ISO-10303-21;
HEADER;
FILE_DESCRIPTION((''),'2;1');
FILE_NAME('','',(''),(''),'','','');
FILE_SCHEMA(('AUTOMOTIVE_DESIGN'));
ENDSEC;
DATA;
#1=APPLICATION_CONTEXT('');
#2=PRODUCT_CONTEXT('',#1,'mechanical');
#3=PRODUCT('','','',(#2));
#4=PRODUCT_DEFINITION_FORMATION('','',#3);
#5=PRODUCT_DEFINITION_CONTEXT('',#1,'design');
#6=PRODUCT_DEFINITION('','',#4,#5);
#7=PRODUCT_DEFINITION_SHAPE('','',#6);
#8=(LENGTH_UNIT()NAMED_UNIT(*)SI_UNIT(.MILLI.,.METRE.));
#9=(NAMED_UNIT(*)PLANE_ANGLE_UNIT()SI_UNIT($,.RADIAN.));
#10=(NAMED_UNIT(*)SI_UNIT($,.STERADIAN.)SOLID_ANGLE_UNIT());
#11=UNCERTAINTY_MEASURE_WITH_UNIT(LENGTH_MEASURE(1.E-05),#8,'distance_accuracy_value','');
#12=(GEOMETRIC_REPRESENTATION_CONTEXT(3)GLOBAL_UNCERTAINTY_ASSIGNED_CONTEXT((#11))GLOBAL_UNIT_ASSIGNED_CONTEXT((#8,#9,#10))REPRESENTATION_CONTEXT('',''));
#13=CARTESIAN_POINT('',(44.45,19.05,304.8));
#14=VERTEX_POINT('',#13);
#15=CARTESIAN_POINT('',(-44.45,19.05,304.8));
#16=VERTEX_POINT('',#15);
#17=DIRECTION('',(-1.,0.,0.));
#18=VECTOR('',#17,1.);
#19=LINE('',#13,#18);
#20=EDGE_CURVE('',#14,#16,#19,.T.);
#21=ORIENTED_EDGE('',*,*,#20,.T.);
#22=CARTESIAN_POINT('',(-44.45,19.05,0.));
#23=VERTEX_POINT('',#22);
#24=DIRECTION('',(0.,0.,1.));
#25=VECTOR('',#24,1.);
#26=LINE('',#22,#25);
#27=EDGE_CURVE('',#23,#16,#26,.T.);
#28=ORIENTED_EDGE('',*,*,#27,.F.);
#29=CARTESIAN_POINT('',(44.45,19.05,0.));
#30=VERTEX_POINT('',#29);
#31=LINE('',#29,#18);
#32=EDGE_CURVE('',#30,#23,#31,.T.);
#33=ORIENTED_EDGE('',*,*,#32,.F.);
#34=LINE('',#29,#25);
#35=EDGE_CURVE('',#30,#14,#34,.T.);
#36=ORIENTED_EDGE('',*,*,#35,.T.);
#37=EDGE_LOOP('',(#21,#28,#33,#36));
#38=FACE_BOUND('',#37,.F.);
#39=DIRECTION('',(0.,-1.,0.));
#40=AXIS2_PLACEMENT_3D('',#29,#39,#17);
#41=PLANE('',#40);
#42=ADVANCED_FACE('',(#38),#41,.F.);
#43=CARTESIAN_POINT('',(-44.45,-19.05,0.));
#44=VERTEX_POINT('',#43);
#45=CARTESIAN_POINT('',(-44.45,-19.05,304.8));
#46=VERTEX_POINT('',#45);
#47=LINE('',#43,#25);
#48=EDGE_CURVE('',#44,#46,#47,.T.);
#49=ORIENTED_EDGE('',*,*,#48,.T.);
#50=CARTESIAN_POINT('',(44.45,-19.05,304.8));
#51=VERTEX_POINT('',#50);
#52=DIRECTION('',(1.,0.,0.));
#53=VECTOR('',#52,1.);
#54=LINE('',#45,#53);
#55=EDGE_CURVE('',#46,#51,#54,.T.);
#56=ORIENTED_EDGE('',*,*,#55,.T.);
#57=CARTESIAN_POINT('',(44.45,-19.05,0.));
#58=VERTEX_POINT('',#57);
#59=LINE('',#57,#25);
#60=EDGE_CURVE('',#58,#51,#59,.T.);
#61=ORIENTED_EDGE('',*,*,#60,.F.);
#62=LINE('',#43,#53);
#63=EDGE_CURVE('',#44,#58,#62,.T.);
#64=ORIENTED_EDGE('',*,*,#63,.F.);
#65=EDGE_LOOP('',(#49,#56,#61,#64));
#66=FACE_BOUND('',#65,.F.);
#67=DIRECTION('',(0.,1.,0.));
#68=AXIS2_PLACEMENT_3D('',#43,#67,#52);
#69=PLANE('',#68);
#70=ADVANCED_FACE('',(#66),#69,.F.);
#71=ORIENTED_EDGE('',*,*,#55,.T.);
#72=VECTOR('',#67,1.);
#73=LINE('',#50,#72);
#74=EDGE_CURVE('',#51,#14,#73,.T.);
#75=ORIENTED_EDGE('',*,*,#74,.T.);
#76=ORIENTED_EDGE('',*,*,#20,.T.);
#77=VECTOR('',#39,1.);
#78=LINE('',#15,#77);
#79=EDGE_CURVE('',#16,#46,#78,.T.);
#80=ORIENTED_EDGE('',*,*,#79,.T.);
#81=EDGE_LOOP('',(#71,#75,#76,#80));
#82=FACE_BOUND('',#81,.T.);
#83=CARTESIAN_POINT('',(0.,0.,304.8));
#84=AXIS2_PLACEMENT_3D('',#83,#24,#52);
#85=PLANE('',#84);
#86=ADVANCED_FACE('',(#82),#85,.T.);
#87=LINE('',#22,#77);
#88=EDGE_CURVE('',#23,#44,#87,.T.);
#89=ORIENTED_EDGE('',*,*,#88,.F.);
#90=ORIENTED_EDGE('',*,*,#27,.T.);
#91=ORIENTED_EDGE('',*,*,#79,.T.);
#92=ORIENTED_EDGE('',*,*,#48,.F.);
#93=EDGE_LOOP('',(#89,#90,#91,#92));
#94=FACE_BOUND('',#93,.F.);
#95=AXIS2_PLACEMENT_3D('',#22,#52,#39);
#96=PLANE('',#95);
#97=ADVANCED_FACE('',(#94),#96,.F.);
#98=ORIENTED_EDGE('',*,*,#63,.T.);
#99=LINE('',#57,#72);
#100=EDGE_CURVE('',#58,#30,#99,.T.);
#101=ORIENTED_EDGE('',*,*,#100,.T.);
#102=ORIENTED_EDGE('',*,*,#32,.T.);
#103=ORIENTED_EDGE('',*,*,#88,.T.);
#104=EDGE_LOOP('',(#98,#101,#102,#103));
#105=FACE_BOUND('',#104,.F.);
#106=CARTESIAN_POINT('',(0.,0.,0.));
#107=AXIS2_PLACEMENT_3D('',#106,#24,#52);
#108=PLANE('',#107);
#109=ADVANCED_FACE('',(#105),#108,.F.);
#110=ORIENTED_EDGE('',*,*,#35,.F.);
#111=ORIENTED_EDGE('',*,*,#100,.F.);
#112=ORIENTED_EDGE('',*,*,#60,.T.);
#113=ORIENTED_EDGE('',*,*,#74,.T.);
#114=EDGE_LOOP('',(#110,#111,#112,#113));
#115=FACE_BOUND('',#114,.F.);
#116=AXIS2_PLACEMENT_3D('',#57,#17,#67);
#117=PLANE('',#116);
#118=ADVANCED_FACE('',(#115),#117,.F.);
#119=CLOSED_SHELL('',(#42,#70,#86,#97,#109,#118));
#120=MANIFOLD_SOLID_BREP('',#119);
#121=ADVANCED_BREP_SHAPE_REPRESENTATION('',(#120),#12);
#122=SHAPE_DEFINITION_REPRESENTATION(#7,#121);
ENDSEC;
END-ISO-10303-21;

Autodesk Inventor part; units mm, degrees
ref_plane "YZ Plane" through (0, 0, 0) normal (1, 0, 0) x (0, 1, 0)
ref_plane "XZ Plane" through (0, 0, 0) normal (0, 1, 0) x (-1, 0, 0)
ref_plane "XY Plane" through (0, 0, 0) normal (0, 0, 1) x (1, 0, 0)
sketch "Sketch1" plane through (0, 0, 0) normal (0, 0, 1) x (1, 0, 0)
  line L0 (-44.45, -19.05) -> (44.45, -19.05)
  line L1 (44.45, -19.05) -> (44.45, 19.05)
  line L2 (44.45, 19.05) -> (-44.45, 19.05)
  line L3 (-44.45, 19.05) -> (-44.45, -19.05)
  line L4 (-44.45, -19.05) -> (44.45, 19.05) construction
  line L5 (44.45, -19.05) -> (-44.45, 19.05) construction
  point P0 (0, 0)
  dimension "d0" = 88.9
  dimension "d1" = 38.1
extrude "Extrusion1" add sketch "Sketch1" along normal blind 304.8
properties part number "2x4x12"
